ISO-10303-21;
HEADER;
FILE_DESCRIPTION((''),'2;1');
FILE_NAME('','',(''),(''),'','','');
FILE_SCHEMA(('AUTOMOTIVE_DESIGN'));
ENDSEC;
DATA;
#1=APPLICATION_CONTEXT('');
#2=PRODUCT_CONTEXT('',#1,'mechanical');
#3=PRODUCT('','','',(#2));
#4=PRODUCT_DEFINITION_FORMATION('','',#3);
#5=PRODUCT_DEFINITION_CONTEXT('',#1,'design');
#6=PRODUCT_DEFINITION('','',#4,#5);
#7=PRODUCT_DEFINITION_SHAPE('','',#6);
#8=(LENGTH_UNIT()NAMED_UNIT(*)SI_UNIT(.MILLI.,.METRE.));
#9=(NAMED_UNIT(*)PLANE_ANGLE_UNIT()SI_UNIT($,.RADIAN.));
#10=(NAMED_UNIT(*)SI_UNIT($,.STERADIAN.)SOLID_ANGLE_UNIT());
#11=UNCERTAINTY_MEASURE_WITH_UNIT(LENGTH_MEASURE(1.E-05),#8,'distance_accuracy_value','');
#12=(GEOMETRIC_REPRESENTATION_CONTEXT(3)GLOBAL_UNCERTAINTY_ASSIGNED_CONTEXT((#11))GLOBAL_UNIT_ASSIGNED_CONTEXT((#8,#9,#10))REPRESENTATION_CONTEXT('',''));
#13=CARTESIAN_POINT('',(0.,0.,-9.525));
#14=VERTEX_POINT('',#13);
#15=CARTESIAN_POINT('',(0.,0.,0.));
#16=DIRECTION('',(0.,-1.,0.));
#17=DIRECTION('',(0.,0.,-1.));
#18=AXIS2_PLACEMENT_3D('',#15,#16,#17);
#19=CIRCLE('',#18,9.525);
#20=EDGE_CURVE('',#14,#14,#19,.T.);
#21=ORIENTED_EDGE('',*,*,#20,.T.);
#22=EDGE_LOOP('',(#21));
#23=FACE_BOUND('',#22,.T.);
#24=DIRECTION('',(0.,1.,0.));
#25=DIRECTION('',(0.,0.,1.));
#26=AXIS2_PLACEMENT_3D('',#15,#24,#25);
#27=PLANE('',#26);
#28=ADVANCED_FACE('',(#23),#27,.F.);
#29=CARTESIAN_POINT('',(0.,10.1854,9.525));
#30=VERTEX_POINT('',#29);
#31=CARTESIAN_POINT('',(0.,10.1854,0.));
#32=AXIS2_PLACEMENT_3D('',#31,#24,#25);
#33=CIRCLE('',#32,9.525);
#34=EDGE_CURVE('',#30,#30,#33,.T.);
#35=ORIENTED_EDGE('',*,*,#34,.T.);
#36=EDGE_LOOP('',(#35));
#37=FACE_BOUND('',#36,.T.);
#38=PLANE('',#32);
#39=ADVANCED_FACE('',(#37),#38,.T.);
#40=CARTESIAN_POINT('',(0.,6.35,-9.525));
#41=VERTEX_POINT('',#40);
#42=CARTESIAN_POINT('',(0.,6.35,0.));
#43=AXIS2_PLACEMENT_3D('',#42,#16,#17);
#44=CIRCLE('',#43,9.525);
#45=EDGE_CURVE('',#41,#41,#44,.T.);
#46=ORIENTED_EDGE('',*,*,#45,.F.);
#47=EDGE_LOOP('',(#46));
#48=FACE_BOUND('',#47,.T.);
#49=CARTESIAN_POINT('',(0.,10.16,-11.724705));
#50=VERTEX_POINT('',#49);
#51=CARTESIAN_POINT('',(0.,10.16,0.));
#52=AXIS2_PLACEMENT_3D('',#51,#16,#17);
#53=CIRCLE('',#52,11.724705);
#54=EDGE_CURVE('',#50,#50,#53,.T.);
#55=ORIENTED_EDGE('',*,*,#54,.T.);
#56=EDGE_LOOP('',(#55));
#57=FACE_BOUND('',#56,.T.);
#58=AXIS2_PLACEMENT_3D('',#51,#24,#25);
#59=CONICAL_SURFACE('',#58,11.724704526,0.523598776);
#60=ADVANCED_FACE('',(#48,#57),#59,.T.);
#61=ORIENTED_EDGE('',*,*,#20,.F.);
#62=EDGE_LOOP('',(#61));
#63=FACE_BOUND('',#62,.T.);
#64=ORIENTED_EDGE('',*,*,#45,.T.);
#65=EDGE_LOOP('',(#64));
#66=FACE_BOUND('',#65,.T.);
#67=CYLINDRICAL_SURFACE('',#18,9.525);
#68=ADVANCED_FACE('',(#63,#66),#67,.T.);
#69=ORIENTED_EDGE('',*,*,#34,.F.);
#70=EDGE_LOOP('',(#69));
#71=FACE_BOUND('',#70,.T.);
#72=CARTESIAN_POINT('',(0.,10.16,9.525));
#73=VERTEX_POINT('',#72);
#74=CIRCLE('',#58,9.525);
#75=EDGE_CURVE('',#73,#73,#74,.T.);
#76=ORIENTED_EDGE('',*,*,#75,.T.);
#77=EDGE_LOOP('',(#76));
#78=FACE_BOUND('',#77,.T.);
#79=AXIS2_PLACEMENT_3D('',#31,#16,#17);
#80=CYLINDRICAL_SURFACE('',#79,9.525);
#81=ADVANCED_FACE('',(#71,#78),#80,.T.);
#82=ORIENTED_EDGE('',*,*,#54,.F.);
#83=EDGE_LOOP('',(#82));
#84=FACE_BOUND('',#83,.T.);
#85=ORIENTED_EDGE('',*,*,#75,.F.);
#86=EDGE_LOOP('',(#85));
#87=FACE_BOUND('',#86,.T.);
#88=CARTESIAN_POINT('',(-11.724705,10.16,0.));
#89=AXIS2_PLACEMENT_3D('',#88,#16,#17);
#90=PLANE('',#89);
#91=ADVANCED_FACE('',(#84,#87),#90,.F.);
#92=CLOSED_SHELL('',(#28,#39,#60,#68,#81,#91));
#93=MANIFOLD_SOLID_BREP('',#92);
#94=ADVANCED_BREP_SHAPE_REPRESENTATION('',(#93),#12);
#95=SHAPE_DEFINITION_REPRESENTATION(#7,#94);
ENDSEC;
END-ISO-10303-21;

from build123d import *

# Parameters (mm, degrees)
SKETCH2_R           = 9.525
BOSS_EXTRUDE1_DEPTH = 0.0254


with BuildPart() as part:
    # Sketch1 → Revolve1 (revolve)
    with BuildSketch(Plane.XY):
        Polygon((0, 0), (-9.525, 0), (-9.525, 6.35), (-11.724704526, 10.16), (0, 10.16), align=None)
    revolve(axis=Axis((0, 0, 0), (0, 1, 0)))

    # Sketch2 → Boss-Extrude1 (add)
    with BuildSketch(Plane(origin=(0, 10.16, 0), x_dir=(1, 0, 0), z_dir=(0, 1, 0))):
        Circle(SKETCH2_R)
    extrude(amount=BOSS_EXTRUDE1_DEPTH)


solid = part.part
